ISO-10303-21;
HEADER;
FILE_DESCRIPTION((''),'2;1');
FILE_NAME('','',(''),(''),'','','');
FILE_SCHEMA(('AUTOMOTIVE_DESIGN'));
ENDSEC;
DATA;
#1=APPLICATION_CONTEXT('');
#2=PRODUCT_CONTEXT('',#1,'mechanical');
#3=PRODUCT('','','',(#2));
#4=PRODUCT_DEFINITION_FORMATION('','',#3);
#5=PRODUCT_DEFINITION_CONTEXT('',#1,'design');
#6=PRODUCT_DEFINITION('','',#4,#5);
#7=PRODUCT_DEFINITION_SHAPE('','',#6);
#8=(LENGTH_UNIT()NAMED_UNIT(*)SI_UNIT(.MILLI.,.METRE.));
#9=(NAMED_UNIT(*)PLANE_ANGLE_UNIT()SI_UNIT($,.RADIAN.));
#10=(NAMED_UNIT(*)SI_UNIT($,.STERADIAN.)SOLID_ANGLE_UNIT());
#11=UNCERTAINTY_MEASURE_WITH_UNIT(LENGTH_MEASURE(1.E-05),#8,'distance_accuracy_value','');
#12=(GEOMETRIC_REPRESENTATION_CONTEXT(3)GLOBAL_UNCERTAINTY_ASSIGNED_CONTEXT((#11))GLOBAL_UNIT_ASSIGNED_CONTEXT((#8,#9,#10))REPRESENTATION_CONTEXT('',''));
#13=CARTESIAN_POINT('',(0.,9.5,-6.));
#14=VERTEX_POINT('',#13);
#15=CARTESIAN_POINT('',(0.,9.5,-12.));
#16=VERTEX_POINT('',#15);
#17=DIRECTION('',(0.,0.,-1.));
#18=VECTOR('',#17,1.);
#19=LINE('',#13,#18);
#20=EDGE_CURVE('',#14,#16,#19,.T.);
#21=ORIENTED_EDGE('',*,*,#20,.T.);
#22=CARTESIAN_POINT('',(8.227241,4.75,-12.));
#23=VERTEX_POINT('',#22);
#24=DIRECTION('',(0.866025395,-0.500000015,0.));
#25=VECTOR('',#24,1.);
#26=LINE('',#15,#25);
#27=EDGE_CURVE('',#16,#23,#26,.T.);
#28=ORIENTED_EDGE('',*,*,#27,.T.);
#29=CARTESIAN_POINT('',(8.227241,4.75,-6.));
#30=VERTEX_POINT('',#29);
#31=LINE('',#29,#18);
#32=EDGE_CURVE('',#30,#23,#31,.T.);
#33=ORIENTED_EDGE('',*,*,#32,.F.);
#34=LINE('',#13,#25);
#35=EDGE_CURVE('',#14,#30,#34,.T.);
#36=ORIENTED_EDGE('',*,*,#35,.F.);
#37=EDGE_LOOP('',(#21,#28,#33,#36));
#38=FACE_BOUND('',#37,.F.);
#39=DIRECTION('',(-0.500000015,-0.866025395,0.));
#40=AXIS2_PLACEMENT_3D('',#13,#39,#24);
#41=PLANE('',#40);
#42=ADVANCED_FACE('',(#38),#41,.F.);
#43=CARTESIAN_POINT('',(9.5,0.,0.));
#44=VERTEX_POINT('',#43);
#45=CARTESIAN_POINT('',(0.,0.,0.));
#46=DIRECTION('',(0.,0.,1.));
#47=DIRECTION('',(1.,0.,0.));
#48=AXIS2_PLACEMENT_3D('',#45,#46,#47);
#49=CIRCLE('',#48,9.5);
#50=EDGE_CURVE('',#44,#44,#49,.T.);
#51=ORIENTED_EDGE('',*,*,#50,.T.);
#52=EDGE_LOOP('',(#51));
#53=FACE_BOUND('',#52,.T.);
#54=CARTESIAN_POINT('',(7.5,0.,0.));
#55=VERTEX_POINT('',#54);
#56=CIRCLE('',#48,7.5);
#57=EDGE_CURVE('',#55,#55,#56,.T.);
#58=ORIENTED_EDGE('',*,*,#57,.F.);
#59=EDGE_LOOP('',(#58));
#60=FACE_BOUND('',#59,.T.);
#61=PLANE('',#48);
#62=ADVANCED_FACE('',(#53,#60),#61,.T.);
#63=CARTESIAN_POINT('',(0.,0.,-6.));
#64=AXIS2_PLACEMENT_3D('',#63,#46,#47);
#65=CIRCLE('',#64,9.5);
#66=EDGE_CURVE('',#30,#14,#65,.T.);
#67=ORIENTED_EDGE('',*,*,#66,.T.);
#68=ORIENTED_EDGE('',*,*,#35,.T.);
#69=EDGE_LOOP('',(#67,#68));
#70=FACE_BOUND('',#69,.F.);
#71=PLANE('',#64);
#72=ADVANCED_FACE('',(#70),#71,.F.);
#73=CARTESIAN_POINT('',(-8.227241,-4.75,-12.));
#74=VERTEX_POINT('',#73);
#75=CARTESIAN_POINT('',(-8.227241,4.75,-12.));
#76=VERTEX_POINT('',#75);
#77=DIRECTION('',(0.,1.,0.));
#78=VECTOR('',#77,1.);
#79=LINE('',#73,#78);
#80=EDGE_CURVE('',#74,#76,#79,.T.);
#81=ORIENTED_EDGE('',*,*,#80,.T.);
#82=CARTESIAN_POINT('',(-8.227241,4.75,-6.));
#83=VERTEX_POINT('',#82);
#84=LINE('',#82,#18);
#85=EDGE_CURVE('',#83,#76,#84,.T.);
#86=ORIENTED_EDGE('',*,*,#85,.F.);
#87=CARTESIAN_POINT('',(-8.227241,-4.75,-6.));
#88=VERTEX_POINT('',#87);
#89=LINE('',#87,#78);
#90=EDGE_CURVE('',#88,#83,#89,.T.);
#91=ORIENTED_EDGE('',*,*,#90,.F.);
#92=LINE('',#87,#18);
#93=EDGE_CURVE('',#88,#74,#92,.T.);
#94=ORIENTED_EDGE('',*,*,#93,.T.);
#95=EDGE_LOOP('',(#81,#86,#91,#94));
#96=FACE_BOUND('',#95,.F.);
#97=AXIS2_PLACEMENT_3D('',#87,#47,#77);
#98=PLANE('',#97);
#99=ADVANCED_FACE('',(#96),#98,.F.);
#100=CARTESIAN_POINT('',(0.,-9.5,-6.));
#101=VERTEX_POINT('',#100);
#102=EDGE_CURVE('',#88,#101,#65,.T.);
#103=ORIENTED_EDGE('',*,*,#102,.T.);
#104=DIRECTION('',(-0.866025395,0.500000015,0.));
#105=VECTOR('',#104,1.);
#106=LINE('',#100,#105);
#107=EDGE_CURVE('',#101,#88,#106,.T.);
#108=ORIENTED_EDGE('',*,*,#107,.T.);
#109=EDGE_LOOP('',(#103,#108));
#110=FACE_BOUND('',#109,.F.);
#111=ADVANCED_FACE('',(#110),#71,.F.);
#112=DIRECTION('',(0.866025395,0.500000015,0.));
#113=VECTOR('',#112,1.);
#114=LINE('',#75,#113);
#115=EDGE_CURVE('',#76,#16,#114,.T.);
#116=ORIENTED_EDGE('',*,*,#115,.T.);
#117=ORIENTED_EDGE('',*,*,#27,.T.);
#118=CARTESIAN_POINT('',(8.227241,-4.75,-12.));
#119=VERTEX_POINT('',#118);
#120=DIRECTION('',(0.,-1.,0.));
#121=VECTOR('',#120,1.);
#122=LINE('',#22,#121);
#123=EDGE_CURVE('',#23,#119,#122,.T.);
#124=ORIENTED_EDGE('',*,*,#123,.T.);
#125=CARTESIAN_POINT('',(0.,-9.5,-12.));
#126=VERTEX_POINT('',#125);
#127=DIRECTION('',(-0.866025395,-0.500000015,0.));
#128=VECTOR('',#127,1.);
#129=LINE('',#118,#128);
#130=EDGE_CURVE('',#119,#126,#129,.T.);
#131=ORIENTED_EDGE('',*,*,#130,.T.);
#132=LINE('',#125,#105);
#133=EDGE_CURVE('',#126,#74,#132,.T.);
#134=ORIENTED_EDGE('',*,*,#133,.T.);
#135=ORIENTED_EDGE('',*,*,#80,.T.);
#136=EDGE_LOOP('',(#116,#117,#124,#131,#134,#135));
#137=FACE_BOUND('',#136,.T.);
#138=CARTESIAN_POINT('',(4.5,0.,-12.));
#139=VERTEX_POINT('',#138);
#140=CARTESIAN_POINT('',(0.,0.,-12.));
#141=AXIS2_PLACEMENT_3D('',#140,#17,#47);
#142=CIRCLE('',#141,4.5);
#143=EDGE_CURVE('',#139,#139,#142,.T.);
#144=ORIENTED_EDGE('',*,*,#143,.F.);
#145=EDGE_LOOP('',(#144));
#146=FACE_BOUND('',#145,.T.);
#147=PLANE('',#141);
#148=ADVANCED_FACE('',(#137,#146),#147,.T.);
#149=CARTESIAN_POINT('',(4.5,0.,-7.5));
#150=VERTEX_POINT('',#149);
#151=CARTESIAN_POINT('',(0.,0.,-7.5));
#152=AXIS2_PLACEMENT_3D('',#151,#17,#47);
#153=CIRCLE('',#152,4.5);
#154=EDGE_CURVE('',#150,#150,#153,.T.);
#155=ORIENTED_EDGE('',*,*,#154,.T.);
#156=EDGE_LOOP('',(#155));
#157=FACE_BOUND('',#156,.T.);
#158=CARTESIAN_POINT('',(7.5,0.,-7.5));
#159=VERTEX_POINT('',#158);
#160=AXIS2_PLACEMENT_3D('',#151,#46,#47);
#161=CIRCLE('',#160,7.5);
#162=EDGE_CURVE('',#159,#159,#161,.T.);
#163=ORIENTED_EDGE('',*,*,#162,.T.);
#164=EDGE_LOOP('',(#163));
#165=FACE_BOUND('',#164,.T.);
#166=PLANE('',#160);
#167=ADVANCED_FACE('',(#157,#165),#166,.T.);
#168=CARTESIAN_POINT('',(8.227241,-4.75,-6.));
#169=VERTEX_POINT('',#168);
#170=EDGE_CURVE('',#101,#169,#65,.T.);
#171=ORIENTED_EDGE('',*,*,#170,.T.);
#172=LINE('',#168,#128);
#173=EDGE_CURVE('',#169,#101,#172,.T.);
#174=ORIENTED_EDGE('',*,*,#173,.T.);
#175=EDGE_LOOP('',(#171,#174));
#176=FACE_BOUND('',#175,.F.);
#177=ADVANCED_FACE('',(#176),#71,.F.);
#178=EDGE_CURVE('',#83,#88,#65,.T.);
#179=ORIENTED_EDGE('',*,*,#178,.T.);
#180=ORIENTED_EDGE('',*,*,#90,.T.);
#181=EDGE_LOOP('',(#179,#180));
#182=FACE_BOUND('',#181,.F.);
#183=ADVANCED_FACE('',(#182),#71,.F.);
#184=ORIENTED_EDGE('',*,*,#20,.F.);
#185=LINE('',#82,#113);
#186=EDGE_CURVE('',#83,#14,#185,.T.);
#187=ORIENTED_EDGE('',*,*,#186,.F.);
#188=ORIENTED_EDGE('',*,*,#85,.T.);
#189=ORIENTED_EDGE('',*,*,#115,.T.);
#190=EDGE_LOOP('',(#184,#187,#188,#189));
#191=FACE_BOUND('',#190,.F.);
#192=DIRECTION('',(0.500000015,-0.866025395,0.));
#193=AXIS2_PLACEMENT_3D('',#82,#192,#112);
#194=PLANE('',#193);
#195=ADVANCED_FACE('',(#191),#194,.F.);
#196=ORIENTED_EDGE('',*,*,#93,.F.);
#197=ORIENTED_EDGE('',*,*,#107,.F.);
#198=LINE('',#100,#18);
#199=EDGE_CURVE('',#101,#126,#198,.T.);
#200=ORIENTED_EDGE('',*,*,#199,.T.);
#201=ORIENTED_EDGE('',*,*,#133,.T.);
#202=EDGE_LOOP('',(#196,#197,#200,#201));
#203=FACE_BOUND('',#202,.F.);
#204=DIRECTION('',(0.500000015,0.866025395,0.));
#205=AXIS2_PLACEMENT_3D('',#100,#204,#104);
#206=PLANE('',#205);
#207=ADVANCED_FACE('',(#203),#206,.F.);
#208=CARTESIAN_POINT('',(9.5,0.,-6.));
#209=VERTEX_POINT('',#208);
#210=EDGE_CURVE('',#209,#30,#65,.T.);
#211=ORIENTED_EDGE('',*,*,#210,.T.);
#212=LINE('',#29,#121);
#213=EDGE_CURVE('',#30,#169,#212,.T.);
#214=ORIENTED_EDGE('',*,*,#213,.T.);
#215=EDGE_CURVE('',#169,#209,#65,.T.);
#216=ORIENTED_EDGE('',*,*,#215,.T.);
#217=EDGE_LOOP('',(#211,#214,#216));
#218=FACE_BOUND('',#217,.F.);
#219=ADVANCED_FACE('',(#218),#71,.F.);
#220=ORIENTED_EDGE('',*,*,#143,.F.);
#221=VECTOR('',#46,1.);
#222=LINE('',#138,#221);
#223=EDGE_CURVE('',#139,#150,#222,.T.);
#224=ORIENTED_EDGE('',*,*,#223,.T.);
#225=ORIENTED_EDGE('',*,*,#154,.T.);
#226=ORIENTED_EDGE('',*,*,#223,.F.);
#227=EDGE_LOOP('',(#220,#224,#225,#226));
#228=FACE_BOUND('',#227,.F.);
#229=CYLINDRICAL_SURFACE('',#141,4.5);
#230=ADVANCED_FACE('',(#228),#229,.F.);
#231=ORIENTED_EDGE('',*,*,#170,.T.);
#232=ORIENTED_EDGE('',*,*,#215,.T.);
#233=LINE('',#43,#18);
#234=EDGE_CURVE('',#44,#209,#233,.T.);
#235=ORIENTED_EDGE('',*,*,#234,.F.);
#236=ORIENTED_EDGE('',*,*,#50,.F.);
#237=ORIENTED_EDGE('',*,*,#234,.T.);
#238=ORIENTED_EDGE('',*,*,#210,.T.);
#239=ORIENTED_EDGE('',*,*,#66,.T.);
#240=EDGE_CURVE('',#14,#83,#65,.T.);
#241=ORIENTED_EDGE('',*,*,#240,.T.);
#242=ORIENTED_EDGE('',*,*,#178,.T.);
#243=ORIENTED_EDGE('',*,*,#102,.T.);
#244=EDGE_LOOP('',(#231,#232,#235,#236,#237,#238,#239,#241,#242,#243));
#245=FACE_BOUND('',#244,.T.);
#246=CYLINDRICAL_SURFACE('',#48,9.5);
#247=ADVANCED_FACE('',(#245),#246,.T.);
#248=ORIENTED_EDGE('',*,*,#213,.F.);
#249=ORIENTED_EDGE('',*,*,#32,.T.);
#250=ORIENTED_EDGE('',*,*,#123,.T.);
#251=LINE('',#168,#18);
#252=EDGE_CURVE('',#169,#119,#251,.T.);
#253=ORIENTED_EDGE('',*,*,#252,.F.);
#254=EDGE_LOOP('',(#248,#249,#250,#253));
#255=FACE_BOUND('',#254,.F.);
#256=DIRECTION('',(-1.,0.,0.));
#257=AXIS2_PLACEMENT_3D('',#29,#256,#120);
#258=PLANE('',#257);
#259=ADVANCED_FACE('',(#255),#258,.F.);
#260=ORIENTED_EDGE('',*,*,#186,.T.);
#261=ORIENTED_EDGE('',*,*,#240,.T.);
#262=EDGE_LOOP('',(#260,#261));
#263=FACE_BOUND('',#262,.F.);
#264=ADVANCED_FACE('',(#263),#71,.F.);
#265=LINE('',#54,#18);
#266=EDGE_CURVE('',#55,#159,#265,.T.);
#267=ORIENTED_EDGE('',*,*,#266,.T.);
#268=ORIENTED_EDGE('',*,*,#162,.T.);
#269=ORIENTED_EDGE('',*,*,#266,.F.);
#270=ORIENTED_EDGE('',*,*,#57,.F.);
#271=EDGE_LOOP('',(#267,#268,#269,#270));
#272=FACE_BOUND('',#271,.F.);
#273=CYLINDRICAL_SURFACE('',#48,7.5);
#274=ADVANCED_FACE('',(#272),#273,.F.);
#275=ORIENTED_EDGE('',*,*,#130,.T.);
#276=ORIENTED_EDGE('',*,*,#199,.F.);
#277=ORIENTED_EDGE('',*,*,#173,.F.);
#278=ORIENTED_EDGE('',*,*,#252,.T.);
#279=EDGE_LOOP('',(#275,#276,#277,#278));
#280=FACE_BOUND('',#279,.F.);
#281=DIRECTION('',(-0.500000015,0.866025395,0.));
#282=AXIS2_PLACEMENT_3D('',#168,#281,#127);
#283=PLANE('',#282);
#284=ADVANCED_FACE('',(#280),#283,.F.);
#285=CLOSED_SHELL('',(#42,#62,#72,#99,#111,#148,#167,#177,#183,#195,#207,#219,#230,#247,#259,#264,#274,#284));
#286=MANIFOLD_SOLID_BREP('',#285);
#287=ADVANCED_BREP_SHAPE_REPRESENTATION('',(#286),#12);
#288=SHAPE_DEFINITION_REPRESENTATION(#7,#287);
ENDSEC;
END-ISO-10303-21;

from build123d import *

# Parameters (mm, degrees)
SKETCH_R        = 9.5
PAD_DEPTH       = 6
PAD001_DEPTH    = 6
SKETCH002_R     = 4.5
POCKET_DEPTH    = 8
SKETCH003_R     = 7.5
POCKET001_DEPTH = 7.5


with BuildPart() as part:
    # Sketch → Pad (new body)
    with BuildSketch(Plane.XY):
        Circle(SKETCH_R)
    extrude(amount=-PAD_DEPTH)

    # Sketch001 → Pad001 (new body)
    with BuildSketch(Plane(origin=(0, 0, -6), x_dir=(1, 0, 0), z_dir=(0, 0, -1))):
        Polygon((8.227241, -4.75), (8.227241, 4.75), (0, 9.5), (-8.227241, 4.75), (-8.227241, -4.75), (0, -9.5), align=None)
    extrude(amount=PAD001_DEPTH)

    # Sketch002 → Pocket (cut)
    with BuildSketch(Plane(origin=(0, 0, -12), x_dir=(1, 0, 0), z_dir=(0, 0, -1))):
        Circle(SKETCH002_R)
    extrude(amount=-POCKET_DEPTH, mode=Mode.SUBTRACT)

    # Sketch003 → Pocket001 (cut)
    with BuildSketch(Plane.XY):
        Circle(SKETCH003_R)
    extrude(amount=-POCKET001_DEPTH, mode=Mode.SUBTRACT)


solid = part.part
